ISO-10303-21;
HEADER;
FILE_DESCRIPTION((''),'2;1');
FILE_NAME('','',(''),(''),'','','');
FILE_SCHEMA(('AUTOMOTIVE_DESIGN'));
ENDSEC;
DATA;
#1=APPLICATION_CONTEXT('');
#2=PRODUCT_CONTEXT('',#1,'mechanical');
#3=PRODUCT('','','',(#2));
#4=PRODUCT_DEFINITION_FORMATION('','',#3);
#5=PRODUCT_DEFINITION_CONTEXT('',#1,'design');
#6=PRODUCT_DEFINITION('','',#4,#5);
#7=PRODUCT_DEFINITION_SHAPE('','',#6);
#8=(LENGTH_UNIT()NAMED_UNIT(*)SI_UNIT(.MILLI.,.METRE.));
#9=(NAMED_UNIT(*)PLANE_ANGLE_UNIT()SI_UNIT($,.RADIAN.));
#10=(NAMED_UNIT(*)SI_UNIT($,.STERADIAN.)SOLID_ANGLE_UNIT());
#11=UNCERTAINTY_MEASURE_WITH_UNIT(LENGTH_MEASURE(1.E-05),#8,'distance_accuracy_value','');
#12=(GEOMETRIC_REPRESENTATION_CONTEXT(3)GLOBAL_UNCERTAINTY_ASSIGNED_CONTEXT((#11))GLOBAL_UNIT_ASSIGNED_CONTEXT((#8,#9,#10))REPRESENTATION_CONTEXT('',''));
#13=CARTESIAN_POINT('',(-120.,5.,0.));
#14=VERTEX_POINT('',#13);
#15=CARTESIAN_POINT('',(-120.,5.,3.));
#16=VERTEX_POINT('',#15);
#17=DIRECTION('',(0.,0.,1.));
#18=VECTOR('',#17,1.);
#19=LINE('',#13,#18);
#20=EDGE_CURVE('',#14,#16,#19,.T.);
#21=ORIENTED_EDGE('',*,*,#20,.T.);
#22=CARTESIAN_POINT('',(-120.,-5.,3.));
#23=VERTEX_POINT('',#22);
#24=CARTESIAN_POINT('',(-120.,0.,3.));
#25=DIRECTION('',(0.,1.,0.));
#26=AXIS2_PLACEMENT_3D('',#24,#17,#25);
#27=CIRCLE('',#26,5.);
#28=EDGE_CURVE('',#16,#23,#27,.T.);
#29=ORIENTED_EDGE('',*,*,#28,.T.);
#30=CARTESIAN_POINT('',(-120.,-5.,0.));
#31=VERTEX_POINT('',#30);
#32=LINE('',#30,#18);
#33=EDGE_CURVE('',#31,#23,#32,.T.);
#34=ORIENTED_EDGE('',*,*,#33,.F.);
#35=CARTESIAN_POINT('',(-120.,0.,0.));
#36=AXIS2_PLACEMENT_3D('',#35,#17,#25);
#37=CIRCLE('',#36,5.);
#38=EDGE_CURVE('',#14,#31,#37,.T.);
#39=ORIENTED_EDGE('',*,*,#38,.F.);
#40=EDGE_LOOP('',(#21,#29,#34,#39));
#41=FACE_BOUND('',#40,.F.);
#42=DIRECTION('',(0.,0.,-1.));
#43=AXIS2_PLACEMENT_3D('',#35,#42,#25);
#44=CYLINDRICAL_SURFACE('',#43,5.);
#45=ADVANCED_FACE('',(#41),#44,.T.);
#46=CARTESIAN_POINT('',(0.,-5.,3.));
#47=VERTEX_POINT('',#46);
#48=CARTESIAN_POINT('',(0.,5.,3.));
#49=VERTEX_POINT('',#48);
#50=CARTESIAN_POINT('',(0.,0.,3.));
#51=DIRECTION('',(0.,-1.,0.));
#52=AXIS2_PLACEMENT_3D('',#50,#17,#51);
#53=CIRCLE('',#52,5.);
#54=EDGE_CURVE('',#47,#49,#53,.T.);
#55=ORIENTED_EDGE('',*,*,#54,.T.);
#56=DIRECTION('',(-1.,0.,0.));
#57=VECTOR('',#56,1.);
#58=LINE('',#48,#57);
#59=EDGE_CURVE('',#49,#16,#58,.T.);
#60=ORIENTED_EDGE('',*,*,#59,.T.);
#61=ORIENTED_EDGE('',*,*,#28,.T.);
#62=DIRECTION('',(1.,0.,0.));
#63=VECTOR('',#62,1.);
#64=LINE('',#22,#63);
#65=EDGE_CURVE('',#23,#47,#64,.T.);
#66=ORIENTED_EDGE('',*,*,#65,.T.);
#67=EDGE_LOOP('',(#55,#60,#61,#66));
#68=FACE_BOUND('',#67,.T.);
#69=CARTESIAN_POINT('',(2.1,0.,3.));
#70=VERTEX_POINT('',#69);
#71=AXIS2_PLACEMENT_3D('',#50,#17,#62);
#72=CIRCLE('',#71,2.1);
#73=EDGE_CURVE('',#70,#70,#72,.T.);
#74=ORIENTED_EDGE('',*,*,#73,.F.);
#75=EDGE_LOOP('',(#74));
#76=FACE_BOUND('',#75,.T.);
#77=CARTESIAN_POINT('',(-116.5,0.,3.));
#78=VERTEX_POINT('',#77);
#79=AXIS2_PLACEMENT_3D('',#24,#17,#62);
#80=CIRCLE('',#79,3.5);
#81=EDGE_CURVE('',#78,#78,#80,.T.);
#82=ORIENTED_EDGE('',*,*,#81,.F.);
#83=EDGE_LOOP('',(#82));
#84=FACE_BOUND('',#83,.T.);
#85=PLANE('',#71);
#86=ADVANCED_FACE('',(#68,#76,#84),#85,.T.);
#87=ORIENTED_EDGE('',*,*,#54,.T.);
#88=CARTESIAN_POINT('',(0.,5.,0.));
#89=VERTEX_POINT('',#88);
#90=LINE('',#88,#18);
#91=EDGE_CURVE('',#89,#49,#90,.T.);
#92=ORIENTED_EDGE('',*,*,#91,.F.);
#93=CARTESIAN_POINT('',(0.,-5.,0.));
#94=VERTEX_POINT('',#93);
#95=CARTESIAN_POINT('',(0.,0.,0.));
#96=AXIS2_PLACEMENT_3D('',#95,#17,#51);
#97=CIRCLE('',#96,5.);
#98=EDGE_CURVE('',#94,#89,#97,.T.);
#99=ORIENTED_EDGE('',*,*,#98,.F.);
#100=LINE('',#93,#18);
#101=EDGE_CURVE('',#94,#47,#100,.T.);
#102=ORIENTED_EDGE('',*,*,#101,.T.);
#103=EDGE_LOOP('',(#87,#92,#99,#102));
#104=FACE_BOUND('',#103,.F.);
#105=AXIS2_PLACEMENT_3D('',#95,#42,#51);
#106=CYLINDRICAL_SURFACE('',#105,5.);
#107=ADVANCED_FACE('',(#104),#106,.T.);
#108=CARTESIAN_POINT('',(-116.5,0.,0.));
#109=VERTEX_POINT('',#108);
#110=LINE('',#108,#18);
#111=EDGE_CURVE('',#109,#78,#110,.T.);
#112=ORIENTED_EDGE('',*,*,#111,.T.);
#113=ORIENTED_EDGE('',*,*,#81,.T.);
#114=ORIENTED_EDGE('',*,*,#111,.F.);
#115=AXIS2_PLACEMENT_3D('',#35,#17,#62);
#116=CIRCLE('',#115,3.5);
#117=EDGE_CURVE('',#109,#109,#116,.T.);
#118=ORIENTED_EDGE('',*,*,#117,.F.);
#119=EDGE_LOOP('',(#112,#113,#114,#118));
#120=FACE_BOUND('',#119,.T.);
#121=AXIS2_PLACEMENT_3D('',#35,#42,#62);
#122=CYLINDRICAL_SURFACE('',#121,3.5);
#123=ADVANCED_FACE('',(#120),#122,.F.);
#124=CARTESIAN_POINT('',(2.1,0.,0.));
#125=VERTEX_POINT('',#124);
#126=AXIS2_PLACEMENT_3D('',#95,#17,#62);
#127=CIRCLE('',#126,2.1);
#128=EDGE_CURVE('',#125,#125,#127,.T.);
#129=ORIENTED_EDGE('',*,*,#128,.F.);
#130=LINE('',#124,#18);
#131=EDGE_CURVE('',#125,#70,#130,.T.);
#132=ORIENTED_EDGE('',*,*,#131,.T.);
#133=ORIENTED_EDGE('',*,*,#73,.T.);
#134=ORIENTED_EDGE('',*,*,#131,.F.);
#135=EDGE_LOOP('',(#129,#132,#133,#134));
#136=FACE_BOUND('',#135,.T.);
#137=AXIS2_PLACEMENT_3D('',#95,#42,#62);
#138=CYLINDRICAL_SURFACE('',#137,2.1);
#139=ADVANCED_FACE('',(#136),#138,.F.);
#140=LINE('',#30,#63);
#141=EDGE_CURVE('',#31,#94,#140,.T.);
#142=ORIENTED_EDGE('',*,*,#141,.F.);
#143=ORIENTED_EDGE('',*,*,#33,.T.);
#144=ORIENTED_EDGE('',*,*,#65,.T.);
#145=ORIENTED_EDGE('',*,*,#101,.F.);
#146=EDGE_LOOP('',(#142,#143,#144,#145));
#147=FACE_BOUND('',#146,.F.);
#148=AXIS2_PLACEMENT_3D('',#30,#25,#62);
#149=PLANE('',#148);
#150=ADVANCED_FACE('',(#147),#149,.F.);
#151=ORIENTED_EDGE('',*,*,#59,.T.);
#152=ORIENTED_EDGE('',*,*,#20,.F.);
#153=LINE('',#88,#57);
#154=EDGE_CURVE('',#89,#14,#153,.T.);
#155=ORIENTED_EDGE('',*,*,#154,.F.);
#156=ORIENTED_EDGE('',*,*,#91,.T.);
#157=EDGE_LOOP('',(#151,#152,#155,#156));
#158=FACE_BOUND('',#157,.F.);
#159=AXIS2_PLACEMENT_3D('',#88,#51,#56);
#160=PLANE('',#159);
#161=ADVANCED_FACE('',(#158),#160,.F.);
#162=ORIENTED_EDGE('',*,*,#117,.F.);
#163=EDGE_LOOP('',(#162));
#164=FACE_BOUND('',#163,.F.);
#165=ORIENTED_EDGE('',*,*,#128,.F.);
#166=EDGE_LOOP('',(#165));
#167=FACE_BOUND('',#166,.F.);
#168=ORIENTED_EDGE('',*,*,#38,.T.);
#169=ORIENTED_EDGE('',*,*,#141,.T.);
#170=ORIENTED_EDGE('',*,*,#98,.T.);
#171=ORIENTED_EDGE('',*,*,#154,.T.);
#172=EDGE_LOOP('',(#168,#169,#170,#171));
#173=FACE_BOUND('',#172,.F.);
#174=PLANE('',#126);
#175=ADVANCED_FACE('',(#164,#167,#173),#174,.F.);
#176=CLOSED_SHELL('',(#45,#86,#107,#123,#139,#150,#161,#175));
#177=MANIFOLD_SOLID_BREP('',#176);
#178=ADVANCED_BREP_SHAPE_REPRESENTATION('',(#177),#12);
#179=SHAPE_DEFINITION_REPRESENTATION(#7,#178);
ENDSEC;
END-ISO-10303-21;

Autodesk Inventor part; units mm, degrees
ref_plane "YZ Plane" through (0, 0, 0) normal (1, 0, 0) x (0, 1, 0)
ref_plane "XZ Plane" through (0, 0, 0) normal (0, 1, 0) x (-1, 0, 0)
ref_plane "XY Plane" through (0, 0, 0) normal (0, 0, 1) x (1, 0, 0)
sketch "草圖1" plane through (0, 0, 0) normal (0, 0, 1) x (1, 0, 0)
  line L0 (-120, 0) -> (0, 0) construction
  line L1 (-120, -5) -> (0, -5)
  line L2 (0, 5) -> (-120, 5)
  arc A0 (-120, 5) -> (-120, -5) centre (-120, 0) ccw
  arc A1 (0, -5) -> (0, 5) centre (0, 0) ccw
  circle A2 centre (-120, 0) radius 3.5
  circle A3 centre (0, 0) radius 2.1
  point P0 (-60, 0)
  dimension "d0" = 120
  dimension "d1" = 10
  dimension "d2" = 7
  dimension "d3" = 4.2
extrude "擠出1" add sketch "草圖1" along normal blind 3
sketch "草圖4" plane through (0, 0, 3) normal (0, 0, 1) x (1, 0, 0)
  line L0 (2.932, 0.7895) -> (0.36, 2.1968)
  arc A0 (0.36, 2.1968) -> (-0.36, 2.1968) centre (0, 1.5389) ccw
  line L1 (-0.36, 2.1968) -> (-2.932, 0.7895)
  arc A1 (-2.932, 0.7895) -> (-2.932, -0.7895) centre (-2.5, 0) ccw
  line L2 (-2.932, -0.7895) -> (-0.36, -2.1968)
  arc A2 (-0.36, -2.1968) -> (0.36, -2.1968) centre (0, -1.5389) ccw
  line L3 (0.36, -2.1968) -> (2.932, -0.7895)
  arc A3 (2.932, -0.7895) -> (2.932, 0.7895) centre (2.5, 0) ccw
  circle A4 centre (0, 0) radius 1.55
extrude "擠出3" [suppressed]
properties part number "adjustable_120"
